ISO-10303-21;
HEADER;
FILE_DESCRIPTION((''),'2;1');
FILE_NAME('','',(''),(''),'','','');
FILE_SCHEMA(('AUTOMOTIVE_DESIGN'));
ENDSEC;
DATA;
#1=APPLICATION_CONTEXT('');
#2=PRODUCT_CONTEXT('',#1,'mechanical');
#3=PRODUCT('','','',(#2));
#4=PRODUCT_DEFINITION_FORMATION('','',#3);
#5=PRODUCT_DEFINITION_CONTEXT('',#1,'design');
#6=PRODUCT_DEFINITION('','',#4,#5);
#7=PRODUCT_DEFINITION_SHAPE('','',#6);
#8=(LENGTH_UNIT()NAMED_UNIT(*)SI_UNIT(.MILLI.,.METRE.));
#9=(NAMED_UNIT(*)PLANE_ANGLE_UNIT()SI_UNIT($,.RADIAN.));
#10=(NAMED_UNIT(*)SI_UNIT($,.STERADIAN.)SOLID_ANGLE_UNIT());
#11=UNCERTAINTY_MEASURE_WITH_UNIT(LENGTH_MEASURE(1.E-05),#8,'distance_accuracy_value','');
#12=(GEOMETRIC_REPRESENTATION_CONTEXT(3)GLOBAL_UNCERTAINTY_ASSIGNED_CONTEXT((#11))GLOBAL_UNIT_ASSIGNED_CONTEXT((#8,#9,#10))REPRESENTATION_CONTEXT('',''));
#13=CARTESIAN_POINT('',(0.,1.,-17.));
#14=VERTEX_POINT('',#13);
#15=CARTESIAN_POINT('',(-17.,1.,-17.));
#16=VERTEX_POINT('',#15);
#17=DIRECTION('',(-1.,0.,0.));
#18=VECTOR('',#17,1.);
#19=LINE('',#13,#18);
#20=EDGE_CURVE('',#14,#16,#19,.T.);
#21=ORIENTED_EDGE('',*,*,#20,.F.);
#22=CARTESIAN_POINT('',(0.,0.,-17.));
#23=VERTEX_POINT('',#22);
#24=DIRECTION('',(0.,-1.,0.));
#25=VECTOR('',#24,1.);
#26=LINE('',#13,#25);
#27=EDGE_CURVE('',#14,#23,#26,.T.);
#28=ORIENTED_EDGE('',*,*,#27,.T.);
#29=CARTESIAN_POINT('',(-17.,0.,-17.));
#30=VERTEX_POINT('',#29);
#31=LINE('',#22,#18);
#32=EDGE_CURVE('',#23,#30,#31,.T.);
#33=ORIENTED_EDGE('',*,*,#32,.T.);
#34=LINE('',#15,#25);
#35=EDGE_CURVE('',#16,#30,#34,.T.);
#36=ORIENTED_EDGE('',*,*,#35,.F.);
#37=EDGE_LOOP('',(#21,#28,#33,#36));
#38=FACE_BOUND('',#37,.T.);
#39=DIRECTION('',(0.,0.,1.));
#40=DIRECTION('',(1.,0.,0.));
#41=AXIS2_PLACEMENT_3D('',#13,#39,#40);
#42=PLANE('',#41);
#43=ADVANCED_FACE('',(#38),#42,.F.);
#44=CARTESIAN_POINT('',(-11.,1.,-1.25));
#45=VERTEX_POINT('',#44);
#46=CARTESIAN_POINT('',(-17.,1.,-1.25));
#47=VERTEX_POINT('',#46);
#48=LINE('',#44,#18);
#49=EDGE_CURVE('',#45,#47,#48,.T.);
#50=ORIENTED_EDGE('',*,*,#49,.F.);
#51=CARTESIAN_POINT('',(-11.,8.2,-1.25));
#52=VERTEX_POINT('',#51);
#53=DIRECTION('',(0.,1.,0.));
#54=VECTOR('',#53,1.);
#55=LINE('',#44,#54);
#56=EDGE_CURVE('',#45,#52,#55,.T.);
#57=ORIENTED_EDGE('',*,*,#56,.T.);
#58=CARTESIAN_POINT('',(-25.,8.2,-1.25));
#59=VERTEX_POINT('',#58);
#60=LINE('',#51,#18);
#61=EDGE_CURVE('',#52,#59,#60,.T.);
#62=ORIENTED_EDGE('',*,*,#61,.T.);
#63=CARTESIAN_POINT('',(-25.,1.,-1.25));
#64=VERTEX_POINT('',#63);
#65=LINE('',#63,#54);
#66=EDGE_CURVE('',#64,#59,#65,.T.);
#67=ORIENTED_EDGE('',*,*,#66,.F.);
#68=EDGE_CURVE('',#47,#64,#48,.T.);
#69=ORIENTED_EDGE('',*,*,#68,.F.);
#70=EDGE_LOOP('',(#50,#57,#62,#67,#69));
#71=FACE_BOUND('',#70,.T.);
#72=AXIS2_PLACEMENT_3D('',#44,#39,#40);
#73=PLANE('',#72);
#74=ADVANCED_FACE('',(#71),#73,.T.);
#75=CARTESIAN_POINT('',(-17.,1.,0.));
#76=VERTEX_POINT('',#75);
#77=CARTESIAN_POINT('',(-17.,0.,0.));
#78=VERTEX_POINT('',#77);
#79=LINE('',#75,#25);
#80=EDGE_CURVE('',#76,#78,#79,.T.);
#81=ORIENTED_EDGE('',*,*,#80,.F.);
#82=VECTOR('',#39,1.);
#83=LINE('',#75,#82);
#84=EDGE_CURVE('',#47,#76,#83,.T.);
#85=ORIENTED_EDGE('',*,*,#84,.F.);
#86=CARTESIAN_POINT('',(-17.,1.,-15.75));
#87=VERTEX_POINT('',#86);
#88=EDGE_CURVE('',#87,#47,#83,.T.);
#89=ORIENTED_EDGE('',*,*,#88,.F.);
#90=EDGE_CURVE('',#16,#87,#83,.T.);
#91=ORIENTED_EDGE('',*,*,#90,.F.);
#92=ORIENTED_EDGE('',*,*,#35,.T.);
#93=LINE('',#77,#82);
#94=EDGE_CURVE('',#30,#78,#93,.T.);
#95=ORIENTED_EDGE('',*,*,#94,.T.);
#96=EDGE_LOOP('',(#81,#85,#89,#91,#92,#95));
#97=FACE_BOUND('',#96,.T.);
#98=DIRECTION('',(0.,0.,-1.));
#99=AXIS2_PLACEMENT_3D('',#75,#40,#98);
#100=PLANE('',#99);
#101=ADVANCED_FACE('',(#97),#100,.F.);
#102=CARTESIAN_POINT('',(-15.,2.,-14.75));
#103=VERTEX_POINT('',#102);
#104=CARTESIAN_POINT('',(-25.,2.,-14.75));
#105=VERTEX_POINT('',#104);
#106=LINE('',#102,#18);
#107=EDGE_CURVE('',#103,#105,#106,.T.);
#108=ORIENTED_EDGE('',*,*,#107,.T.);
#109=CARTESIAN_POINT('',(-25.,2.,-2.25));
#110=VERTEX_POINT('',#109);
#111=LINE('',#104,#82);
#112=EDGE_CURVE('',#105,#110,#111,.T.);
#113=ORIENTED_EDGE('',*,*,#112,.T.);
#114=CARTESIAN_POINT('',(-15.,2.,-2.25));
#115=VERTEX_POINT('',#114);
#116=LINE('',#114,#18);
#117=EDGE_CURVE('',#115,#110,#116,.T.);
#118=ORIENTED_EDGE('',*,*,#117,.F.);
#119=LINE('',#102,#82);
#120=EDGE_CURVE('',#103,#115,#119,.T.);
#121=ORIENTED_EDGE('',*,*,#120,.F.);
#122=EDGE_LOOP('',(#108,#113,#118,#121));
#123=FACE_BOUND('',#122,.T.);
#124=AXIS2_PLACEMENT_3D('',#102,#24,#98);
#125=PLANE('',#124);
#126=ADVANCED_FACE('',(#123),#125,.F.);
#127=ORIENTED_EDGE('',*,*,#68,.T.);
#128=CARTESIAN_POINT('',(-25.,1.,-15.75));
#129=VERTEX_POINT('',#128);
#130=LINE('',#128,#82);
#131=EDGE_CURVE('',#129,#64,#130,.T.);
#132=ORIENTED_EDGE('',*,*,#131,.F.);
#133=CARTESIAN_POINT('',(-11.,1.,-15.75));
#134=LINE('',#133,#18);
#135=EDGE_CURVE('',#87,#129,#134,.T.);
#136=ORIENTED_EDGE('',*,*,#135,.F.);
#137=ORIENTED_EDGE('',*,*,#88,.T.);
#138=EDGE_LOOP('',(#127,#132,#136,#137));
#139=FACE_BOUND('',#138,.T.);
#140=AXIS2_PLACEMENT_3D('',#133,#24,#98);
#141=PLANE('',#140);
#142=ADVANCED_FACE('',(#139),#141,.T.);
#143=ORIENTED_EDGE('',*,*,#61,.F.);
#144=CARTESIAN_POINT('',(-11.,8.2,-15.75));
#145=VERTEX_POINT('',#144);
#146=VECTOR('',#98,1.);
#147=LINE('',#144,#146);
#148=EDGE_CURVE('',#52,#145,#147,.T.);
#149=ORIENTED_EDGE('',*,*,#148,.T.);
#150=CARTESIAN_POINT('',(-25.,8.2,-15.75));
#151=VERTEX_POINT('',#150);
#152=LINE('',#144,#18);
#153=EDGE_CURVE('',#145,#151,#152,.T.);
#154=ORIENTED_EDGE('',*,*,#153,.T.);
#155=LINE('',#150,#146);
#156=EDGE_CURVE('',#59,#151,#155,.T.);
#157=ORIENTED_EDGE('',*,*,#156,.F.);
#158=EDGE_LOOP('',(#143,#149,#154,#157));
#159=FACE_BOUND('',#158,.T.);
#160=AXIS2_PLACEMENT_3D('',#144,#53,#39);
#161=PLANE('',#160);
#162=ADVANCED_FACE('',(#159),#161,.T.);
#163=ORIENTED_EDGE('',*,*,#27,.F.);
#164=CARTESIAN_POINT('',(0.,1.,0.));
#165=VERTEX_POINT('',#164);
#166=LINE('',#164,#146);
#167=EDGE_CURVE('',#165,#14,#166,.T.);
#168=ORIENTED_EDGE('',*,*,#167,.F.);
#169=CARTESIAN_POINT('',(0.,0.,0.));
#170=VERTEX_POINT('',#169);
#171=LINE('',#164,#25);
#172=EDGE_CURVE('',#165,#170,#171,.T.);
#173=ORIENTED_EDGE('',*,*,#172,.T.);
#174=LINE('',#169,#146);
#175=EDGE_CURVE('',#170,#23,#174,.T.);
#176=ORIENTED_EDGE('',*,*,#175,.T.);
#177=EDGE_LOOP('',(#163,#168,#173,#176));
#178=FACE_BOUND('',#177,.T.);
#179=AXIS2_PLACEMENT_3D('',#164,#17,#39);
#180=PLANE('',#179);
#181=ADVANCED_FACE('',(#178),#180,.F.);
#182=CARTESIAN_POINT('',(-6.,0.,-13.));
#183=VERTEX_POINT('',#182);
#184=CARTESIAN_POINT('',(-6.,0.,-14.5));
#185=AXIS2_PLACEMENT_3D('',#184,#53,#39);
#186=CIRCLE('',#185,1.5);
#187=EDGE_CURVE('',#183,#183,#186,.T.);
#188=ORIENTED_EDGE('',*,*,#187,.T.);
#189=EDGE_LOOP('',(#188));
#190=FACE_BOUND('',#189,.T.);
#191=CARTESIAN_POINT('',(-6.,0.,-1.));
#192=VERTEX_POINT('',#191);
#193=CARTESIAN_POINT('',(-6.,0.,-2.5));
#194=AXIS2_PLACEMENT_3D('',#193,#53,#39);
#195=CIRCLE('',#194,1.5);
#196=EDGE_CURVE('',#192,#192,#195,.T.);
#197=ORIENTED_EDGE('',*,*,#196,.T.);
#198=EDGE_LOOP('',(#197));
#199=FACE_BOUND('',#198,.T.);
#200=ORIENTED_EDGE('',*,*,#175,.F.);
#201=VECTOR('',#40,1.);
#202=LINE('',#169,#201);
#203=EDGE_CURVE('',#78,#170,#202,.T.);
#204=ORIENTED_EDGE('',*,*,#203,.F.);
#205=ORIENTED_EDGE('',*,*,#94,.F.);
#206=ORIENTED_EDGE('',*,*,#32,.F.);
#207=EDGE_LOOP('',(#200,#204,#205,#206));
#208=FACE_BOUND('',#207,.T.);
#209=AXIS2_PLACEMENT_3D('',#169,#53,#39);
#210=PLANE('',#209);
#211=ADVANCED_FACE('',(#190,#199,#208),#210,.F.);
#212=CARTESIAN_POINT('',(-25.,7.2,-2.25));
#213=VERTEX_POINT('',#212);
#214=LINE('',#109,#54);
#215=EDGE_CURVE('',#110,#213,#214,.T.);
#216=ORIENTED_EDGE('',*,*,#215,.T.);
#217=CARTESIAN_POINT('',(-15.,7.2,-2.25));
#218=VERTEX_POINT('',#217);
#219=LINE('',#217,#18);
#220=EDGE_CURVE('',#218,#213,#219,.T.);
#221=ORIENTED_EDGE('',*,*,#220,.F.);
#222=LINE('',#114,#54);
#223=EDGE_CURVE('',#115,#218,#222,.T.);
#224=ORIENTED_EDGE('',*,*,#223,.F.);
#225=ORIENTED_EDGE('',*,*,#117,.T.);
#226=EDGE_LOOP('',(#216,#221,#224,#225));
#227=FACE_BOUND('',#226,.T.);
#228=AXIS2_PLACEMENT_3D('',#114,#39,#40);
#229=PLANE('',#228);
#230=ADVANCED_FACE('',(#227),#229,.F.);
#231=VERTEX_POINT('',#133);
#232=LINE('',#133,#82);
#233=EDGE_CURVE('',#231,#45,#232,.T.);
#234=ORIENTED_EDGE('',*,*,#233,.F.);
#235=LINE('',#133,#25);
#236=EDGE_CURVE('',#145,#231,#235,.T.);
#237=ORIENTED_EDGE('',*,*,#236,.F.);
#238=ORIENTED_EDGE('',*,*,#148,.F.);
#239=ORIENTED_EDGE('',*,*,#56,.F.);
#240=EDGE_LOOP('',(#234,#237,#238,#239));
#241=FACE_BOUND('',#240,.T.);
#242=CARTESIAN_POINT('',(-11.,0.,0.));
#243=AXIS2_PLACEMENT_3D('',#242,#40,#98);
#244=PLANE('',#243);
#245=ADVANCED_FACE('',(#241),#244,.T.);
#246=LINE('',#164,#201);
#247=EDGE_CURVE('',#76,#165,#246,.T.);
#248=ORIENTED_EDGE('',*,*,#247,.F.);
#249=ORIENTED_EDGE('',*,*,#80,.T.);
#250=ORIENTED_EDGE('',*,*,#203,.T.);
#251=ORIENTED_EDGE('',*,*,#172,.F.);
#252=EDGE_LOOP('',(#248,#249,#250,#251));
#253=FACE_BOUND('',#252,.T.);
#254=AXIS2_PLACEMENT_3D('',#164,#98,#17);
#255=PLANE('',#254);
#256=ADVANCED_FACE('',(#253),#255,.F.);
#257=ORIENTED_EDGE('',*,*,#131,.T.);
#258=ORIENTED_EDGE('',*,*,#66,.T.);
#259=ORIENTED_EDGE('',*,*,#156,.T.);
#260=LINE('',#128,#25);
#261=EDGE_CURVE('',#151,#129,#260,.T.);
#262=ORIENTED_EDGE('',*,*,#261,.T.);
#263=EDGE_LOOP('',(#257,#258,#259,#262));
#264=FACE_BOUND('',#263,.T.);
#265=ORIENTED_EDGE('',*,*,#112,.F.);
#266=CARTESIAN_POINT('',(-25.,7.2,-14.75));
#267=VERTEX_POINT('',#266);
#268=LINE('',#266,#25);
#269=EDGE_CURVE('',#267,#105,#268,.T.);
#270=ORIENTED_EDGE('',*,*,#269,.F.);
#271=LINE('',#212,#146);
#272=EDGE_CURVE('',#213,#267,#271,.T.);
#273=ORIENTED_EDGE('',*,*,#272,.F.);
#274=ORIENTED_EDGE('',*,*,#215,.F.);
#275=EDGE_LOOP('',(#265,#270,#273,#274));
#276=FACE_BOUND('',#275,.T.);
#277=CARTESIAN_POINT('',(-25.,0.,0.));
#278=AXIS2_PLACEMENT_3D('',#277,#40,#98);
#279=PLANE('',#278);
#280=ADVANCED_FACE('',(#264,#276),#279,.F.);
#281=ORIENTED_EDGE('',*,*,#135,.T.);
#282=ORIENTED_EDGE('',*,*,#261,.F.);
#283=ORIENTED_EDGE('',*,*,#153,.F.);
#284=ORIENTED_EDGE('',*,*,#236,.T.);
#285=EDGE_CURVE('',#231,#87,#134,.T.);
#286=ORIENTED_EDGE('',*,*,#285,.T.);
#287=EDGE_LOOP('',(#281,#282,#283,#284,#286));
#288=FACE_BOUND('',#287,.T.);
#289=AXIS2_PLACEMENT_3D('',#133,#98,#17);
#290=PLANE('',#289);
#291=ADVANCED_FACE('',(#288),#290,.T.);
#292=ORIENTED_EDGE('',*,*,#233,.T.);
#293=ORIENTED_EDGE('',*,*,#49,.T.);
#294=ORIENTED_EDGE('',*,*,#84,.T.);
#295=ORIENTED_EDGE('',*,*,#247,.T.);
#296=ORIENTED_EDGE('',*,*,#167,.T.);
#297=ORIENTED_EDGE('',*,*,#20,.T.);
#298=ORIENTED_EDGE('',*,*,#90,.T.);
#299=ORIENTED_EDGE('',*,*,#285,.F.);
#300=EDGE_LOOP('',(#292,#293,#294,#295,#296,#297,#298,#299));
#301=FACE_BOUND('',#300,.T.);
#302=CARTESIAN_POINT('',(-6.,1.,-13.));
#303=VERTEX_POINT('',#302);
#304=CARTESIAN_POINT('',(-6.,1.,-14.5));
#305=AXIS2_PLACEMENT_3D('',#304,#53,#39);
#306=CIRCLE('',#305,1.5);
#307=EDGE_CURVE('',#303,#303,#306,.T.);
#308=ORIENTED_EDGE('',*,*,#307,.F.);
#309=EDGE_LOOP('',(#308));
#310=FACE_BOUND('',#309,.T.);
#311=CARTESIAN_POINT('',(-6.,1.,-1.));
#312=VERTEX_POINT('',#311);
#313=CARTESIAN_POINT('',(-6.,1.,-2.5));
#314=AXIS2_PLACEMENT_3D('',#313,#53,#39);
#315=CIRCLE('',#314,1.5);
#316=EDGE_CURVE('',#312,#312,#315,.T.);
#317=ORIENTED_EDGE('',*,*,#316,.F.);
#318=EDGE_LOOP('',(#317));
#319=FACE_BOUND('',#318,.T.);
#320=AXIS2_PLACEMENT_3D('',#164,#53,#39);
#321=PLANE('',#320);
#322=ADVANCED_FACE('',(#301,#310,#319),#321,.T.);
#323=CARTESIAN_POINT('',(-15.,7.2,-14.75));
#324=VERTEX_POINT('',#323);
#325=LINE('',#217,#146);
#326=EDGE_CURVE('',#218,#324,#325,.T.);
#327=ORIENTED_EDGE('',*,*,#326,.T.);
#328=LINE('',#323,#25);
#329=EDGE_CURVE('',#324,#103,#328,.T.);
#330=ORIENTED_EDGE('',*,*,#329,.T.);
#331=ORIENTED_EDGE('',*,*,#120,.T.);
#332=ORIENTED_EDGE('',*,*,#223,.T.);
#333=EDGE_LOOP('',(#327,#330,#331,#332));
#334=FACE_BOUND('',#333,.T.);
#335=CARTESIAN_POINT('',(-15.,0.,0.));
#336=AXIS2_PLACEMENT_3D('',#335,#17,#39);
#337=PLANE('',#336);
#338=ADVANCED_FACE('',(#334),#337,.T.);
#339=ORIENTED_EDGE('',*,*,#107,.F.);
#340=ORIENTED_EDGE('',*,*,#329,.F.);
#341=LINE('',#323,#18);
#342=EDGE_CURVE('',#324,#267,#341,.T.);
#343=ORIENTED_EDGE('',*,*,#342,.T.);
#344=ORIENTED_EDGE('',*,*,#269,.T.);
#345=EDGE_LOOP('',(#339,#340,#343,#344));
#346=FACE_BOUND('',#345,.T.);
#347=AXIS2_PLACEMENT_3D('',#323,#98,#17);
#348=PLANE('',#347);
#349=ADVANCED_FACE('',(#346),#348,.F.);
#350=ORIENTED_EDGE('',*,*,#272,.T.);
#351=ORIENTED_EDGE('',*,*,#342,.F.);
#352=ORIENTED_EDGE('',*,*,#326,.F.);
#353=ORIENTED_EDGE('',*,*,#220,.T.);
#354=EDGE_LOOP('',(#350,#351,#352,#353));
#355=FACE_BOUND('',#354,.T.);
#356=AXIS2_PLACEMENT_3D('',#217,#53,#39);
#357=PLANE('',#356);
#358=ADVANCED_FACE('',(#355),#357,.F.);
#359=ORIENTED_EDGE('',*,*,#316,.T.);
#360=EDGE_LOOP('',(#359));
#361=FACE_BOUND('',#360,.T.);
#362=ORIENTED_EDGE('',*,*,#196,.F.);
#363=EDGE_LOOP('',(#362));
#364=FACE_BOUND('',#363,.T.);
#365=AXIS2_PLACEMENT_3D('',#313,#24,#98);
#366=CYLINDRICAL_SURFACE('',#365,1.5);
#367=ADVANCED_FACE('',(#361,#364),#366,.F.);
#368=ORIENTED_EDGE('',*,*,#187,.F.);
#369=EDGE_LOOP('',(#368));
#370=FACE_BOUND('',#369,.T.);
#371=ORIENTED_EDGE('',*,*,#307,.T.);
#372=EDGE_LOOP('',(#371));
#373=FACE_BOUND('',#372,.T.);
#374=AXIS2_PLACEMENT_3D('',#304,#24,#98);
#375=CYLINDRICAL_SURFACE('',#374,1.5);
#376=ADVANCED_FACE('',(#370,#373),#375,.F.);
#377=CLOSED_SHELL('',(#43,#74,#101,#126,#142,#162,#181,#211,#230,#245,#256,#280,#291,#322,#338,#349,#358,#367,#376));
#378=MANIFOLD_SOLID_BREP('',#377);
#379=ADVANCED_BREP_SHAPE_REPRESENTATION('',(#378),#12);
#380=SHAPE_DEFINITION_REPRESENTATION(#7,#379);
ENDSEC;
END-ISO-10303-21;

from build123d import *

# Parameters (mm, degrees)
SKETCH1_W           = 17
SKETCH1_H           = 17
SKETCH1_R           = 1.5
BOSS_EXTRUDE1_DEPTH = 1
SKETCH2_W           = 14.5
SKETCH2_H           = 7.2
BOSS_EXTRUDE2_DEPTH = 14
SKETCH3_W           = 12.5
SKETCH3_H           = 5.2
CUT_EXTRUDE1_DEPTH  = 10


with BuildPart() as part:
    # Sketch1 → Boss-Extrude1 (new body)
    with BuildSketch(Plane(origin=(0, 0, 0), x_dir=(1, 0, 0), z_dir=(0, 1, 0))):
        with Locations((-8.5, 8.5)):
            Rectangle(SKETCH1_W, SKETCH1_H)
        with Locations(Location((-6, 14.5, 0), (0, 0, 270))):
            Circle(SKETCH1_R, mode=Mode.SUBTRACT)
        with Locations(Location((-6, 2.5, 0), (0, 0, 270))):
            Circle(SKETCH1_R, mode=Mode.SUBTRACT)
    extrude(amount=BOSS_EXTRUDE1_DEPTH)

    # Sketch2 → Boss-Extrude2 (add)
    with BuildSketch(Plane.ZY.offset(25)):
        with Locations((-8.5, 4.6)):
            Rectangle(SKETCH2_W, SKETCH2_H)
    extrude(amount=-BOSS_EXTRUDE2_DEPTH)

    # Sketch3 → Cut-Extrude1 (cut)
    with BuildSketch(Plane.ZY.offset(25)):
        with Locations((-8.5, 4.6)):
            Rectangle(SKETCH3_W, SKETCH3_H)
    extrude(amount=-CUT_EXTRUDE1_DEPTH, mode=Mode.SUBTRACT)


solid = part.part
